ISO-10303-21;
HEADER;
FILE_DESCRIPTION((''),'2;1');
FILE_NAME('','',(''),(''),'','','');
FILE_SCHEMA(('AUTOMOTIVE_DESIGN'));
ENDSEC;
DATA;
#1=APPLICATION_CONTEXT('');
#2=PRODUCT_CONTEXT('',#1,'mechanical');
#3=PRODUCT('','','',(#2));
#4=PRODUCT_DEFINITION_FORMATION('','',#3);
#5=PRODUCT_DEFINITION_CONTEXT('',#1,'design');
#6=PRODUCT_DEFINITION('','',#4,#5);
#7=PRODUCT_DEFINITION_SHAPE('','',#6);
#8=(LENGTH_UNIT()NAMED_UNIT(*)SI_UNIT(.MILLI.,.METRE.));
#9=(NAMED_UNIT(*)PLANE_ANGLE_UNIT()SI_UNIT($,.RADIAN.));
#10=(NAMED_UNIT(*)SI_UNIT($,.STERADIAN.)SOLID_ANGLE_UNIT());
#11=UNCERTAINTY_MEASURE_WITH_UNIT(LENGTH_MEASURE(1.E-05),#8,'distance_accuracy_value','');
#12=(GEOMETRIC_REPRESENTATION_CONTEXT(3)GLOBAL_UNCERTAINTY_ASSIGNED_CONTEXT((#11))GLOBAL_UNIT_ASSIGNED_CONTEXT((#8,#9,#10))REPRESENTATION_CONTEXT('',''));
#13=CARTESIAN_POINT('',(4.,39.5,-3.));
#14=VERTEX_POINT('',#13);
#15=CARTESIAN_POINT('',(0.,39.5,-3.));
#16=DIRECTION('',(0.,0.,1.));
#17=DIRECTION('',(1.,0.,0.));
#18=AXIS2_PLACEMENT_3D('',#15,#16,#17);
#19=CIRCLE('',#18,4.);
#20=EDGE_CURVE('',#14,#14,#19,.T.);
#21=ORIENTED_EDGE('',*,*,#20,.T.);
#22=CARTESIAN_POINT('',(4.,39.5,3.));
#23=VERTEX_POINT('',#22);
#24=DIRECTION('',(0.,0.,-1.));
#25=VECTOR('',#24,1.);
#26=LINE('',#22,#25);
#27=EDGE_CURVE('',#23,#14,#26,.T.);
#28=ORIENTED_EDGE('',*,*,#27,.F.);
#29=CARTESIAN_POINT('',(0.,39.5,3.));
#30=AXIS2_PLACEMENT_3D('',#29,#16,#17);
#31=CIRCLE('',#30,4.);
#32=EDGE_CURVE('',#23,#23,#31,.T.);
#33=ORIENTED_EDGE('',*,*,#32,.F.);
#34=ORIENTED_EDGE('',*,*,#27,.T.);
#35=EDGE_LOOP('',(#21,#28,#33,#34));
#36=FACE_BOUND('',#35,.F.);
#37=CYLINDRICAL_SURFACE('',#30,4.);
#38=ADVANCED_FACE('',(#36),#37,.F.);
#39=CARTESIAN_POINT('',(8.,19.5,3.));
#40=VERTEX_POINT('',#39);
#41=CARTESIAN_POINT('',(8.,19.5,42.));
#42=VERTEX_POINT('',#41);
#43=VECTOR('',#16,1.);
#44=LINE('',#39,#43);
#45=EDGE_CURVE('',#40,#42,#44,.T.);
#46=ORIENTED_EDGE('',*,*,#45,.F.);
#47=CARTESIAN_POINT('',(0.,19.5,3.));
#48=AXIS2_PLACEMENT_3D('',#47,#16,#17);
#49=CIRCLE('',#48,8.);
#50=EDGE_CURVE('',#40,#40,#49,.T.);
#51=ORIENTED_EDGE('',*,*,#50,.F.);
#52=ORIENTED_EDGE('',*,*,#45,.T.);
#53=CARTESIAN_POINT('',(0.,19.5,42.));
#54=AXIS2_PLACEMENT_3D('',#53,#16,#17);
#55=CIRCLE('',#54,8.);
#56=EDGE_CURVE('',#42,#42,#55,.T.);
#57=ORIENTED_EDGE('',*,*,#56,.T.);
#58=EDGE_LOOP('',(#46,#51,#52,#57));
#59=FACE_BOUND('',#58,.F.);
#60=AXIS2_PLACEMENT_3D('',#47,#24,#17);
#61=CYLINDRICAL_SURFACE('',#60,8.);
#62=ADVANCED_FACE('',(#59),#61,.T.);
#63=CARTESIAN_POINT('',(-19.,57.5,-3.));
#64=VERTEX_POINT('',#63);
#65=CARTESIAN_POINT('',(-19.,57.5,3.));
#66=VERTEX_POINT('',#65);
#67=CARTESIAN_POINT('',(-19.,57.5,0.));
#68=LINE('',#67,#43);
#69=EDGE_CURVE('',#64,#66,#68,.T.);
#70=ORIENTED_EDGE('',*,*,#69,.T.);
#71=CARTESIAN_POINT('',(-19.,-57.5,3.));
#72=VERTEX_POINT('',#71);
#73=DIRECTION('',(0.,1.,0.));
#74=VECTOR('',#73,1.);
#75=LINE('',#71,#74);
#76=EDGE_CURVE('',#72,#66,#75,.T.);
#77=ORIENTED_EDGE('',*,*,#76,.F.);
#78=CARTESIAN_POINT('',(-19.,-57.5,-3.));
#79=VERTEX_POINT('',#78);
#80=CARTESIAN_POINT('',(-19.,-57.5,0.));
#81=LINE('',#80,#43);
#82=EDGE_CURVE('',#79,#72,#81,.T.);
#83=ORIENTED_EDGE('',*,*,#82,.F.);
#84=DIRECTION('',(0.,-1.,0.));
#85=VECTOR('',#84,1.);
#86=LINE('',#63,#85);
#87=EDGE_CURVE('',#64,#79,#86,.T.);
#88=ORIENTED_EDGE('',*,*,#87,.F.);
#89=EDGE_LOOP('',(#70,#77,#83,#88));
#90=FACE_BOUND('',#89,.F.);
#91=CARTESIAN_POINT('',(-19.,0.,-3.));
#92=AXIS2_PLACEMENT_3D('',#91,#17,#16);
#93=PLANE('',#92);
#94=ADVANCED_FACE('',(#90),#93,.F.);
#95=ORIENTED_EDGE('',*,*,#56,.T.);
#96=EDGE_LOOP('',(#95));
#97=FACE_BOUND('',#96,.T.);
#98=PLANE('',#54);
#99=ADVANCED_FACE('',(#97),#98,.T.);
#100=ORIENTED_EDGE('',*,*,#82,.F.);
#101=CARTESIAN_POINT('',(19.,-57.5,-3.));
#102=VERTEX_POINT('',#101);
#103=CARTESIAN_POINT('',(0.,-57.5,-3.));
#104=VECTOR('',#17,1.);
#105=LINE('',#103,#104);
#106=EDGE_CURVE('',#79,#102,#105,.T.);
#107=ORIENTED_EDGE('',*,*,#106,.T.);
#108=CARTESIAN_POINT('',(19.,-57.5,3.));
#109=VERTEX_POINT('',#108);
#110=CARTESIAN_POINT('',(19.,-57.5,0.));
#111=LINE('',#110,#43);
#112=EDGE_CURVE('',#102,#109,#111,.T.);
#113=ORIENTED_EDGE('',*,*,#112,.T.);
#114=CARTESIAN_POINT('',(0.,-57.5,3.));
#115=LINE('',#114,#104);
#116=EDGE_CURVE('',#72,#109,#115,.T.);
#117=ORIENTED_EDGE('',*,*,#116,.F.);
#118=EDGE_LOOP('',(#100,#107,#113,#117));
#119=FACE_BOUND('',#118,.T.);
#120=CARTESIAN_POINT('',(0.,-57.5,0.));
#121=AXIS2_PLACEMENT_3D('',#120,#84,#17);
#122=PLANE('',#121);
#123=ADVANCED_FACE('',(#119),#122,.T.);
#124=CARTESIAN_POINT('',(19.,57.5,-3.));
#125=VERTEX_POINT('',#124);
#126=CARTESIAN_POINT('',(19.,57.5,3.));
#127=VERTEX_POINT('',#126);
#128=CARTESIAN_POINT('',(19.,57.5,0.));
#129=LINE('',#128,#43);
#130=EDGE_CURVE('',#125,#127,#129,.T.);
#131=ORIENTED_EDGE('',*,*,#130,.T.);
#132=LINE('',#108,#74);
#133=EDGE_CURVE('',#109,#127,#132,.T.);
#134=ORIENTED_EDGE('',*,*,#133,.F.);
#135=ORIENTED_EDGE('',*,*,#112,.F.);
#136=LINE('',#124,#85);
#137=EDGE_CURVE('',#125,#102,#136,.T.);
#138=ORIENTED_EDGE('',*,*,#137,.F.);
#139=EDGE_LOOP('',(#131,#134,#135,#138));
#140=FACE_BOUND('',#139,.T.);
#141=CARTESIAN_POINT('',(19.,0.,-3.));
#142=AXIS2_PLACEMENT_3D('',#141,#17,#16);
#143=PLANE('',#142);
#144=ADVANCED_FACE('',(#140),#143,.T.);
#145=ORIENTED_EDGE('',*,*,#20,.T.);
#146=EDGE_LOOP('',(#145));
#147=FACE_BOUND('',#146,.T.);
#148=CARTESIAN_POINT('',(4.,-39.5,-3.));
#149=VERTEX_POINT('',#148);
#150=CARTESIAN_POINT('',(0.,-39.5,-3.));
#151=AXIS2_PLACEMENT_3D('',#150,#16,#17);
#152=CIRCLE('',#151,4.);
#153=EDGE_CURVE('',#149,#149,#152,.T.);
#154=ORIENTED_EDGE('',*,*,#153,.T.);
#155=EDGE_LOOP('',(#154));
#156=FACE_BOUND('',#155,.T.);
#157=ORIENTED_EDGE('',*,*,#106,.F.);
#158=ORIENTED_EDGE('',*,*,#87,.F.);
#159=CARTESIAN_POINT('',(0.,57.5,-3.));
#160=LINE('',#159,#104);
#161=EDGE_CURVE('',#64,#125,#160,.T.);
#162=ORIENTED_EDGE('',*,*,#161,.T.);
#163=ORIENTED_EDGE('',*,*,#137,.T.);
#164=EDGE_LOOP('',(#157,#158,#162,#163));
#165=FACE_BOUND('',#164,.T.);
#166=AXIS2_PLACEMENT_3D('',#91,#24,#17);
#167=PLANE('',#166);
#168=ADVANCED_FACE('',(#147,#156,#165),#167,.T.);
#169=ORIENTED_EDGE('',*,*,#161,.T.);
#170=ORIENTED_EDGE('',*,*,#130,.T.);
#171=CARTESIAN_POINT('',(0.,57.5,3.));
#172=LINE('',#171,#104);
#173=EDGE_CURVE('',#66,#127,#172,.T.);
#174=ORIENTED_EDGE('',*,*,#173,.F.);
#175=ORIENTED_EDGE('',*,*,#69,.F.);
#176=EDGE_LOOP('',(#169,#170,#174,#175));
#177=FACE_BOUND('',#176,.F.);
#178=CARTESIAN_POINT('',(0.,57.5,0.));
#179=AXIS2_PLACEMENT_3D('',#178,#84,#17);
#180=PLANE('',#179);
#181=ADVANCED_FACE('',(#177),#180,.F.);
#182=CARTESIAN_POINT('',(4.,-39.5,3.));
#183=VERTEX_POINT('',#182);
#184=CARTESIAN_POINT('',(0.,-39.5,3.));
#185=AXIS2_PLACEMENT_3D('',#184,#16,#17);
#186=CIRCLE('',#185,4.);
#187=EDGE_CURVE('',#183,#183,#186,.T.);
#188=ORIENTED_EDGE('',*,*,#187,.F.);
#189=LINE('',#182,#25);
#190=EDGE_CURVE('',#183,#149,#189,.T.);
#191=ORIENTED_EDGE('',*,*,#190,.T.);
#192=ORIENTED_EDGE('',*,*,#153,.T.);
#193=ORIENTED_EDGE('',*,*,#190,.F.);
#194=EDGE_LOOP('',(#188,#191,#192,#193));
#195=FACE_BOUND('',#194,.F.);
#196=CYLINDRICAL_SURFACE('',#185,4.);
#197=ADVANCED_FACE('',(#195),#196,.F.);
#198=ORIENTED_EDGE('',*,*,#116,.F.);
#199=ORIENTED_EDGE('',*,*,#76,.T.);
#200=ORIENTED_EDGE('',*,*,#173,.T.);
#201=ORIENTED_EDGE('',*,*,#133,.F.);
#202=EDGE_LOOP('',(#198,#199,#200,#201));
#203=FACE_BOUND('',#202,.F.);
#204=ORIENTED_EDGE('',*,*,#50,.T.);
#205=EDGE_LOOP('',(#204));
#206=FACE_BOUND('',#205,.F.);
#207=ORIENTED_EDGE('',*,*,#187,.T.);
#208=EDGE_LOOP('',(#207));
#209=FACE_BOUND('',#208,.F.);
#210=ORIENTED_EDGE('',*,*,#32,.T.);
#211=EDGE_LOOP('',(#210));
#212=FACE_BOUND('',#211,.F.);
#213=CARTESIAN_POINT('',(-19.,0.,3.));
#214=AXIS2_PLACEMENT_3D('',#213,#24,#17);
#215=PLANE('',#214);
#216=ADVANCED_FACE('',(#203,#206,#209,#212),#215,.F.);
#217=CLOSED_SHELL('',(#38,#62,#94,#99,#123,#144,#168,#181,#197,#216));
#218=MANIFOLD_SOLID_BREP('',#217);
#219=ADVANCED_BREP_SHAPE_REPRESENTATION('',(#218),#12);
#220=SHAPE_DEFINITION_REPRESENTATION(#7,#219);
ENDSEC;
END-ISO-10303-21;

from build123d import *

# Parameters (mm, degrees)
F0_W          = 38
F0_H          = 6
F1_DEPTH      = 57.5
F1_DEPTH_BACK = 57.5
F2_R          = 4
F3_DEPTH      = 6
F4_R          = 8
F5_DEPTH      = 39


with BuildPart() as f1:
    # F0 (on Front) → F1 (new body, two sides)
    with BuildSketch(Plane.XZ) as f1_sk:
        Rectangle(F0_W, F0_H)
    extrude(amount=F1_DEPTH)
    extrude(f1_sk.sketch, amount=-F1_DEPTH_BACK)

    # F2 (on face) → F3 (cut)
    with BuildSketch(Plane.XY.offset(3)):
        with Locations((0, 39.5)):
            Circle(F2_R)
        with Locations((0, -39.5)):
            Circle(F2_R)
    extrude(amount=-F3_DEPTH, mode=Mode.SUBTRACT)

    # F4 (on face) → F5 (join)
    with BuildSketch(Plane.XY.offset(3)):
        with Locations((0, 19.5)):
            Circle(F4_R)
    extrude(amount=F5_DEPTH)


solid = f1.part
